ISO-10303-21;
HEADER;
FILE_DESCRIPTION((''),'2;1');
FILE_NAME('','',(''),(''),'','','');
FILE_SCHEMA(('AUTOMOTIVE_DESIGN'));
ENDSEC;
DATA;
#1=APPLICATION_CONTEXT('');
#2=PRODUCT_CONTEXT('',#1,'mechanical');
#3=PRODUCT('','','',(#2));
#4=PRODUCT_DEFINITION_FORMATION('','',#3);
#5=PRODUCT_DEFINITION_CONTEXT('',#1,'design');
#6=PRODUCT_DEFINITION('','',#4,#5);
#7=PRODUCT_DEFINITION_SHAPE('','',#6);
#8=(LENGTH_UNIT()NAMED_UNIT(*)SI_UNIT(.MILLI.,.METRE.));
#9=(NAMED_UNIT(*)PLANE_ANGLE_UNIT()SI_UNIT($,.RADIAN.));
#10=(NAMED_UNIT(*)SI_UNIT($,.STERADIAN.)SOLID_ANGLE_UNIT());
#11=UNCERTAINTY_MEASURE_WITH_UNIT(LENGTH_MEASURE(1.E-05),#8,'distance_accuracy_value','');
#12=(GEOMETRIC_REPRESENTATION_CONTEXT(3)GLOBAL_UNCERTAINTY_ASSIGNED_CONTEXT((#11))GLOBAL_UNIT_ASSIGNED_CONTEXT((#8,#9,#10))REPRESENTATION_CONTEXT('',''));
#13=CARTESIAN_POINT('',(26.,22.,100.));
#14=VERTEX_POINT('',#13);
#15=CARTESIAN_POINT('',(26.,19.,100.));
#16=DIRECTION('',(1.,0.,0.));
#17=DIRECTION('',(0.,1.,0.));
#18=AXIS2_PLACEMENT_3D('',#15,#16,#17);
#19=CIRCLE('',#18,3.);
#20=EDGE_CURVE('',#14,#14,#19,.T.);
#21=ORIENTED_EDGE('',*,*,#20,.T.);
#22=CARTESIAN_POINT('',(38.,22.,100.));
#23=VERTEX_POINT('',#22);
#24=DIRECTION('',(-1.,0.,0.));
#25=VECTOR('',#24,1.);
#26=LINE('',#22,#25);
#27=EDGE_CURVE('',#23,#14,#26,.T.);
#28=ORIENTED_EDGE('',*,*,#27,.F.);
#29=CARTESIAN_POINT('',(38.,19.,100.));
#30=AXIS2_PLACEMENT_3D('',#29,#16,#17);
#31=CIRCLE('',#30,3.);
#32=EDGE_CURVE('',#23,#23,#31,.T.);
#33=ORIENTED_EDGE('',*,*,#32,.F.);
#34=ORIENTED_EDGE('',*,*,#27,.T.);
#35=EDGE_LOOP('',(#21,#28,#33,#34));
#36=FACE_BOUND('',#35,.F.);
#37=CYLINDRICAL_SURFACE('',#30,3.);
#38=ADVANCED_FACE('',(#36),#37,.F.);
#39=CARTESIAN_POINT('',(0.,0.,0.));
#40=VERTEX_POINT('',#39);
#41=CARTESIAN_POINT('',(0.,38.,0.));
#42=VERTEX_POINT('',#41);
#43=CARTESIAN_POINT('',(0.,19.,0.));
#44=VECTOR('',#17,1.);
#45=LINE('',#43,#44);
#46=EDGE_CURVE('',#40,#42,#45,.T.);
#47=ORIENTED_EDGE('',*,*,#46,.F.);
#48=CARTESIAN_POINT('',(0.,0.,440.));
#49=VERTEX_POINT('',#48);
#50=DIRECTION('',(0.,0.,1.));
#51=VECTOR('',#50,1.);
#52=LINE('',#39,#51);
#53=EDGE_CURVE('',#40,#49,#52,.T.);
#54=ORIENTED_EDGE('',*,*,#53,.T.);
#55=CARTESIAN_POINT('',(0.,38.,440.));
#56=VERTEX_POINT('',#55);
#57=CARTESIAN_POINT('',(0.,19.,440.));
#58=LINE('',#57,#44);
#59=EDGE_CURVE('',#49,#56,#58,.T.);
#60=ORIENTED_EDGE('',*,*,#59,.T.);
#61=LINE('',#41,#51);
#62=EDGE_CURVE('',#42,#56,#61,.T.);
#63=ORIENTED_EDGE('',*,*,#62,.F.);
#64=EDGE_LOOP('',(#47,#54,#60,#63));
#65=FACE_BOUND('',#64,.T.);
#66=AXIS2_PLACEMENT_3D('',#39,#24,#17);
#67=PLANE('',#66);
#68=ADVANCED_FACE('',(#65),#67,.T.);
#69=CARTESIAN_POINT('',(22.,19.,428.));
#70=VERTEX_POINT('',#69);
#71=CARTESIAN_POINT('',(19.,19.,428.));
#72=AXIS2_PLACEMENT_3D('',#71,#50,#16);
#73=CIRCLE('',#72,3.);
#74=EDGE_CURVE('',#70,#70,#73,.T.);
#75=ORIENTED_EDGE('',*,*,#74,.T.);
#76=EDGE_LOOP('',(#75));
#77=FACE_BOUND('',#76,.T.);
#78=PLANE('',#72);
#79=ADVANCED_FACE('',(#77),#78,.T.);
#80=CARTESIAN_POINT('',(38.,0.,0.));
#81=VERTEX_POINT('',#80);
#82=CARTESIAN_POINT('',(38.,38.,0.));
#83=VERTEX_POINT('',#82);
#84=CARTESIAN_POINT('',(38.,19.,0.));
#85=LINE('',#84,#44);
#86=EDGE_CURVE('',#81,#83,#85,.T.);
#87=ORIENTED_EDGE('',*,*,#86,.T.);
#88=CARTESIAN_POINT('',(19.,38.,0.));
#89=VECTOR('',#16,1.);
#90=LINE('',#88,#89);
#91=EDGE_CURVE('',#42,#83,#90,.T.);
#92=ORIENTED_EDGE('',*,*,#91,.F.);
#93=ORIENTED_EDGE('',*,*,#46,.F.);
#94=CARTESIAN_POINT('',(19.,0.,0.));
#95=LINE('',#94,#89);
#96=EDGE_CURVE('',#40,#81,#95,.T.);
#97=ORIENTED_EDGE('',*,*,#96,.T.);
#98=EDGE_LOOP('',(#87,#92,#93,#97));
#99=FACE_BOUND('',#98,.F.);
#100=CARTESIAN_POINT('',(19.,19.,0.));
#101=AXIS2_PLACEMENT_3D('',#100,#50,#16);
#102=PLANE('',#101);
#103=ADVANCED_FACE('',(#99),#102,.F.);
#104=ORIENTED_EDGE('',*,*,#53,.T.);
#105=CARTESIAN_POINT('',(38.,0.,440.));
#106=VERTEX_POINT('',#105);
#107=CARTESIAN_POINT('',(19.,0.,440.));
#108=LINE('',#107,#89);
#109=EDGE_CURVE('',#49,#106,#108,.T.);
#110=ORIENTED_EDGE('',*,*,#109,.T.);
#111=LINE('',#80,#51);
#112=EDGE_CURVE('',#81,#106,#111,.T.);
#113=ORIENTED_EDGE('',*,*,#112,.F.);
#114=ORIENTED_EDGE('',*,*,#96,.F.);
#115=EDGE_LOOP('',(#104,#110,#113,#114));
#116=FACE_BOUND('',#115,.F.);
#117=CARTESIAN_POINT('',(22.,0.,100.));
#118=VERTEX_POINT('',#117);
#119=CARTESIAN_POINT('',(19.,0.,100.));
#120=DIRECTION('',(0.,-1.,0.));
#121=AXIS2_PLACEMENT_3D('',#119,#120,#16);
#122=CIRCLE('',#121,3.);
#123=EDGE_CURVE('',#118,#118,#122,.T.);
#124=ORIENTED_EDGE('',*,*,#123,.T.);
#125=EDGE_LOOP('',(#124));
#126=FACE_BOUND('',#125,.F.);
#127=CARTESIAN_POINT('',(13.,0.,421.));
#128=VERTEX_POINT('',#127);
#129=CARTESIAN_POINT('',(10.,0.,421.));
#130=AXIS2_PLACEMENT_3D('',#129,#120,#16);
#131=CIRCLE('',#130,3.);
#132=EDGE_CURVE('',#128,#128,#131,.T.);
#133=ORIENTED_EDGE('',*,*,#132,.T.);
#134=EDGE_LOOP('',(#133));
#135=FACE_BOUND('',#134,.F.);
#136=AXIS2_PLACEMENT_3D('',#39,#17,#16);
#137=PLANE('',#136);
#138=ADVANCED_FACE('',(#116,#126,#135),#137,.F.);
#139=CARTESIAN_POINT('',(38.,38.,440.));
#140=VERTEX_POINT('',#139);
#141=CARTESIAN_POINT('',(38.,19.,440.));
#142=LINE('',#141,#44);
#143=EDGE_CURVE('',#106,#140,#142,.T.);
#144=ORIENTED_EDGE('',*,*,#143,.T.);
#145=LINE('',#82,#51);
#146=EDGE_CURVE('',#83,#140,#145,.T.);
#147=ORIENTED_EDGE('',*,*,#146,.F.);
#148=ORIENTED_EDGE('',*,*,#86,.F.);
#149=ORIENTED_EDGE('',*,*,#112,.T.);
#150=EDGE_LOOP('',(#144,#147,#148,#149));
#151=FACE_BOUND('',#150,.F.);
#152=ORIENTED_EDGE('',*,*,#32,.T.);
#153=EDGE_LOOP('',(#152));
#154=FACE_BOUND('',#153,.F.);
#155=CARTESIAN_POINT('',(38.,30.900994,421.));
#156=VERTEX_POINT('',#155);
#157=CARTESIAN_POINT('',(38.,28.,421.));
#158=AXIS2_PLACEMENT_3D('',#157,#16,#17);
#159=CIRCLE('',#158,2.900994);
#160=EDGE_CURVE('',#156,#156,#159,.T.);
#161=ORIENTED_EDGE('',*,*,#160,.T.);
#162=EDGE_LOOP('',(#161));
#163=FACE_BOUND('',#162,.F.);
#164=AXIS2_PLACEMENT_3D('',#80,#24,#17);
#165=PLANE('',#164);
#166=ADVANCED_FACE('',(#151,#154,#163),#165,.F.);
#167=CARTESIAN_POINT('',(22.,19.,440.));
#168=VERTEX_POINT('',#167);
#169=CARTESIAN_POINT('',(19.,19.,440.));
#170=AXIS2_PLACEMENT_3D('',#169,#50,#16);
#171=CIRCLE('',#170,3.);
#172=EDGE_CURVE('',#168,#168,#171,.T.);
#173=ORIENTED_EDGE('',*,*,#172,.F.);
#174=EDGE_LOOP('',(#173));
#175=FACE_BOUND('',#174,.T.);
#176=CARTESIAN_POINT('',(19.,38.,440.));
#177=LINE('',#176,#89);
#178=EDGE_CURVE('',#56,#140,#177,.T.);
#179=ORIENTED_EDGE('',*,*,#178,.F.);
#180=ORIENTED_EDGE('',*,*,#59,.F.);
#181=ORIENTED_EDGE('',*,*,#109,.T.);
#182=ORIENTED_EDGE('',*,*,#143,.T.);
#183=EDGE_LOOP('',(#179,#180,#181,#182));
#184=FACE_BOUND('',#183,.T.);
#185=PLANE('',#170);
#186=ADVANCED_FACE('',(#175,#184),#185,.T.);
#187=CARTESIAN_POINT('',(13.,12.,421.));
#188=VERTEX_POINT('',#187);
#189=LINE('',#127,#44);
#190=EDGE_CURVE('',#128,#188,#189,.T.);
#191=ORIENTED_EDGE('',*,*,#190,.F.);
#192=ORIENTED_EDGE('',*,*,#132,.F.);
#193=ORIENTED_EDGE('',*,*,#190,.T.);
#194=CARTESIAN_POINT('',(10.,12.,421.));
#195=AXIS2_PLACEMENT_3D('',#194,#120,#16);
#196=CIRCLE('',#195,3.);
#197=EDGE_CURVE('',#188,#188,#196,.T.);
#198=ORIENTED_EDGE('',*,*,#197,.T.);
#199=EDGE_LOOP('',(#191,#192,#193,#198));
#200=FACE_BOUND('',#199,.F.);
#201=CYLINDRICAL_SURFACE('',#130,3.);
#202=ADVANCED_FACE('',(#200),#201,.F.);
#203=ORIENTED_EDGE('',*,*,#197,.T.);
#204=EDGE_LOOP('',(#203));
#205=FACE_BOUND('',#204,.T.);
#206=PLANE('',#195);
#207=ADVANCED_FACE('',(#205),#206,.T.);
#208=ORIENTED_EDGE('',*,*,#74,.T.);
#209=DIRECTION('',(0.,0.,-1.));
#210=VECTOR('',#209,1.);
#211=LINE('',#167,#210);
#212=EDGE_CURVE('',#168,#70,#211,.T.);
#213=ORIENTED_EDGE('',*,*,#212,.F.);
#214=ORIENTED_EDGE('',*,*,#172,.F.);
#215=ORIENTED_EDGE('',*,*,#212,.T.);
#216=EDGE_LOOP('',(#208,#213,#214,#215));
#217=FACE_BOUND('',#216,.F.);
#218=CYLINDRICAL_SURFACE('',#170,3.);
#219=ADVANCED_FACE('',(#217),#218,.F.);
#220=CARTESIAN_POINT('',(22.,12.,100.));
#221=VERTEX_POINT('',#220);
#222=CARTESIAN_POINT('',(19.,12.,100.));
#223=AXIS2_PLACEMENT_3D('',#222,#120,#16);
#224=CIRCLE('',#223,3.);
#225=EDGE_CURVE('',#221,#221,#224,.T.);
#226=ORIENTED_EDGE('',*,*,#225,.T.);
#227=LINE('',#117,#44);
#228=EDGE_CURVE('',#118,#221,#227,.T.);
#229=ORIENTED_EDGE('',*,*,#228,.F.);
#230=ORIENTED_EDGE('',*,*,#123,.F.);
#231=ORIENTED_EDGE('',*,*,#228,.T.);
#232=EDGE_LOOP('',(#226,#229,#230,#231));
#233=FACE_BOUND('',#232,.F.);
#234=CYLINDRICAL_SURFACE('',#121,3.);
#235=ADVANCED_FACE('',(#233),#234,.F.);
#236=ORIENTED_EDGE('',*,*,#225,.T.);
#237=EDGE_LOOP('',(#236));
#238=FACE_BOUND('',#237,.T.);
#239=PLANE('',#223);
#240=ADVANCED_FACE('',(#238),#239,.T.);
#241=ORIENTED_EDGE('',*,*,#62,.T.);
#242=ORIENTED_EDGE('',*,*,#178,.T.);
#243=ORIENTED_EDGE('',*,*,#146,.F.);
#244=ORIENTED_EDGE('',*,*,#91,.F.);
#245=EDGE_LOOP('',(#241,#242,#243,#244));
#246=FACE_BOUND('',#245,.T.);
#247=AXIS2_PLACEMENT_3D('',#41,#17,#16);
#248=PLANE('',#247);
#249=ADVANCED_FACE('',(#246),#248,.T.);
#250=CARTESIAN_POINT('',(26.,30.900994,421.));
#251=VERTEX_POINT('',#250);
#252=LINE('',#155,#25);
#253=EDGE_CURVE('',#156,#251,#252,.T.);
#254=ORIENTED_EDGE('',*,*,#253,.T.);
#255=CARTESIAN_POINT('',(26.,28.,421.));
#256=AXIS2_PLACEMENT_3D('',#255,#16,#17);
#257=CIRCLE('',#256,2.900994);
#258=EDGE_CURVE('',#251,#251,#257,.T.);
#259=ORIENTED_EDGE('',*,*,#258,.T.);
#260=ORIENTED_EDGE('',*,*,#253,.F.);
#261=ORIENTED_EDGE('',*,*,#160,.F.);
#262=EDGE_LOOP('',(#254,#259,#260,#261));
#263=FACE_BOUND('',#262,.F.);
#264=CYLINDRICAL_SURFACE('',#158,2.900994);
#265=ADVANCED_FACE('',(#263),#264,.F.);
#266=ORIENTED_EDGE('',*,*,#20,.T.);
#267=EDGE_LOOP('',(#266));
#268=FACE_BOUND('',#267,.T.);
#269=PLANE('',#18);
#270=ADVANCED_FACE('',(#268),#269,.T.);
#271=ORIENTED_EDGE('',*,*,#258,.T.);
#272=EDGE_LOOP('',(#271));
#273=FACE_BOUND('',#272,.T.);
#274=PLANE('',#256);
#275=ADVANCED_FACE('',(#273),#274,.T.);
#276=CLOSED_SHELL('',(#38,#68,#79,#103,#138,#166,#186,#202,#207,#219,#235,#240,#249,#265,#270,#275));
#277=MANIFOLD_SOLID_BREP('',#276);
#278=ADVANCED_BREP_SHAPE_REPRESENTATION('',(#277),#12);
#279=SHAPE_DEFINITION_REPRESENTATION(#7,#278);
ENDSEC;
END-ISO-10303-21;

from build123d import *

# Parameters (mm, degrees)
F0_W      = 38
F0_H      = 38
F1_DEPTH  = 440
F2_R      = 3
F3_DEPTH  = 12
F4_R      = 2.900994
F5_DEPTH  = 12
F6_R      = 3
F7_DEPTH  = 12
F8_R      = 3
F9_DEPTH  = 12
F10_R     = 3
F11_DEPTH = 12
F12_DEPTH = 12


with BuildPart() as f1:
    # F0 (on Top) → F1 (new body)
    with BuildSketch(Plane.XY):
        with Locations((19, 19)):
            Rectangle(F0_W, F0_H)
    extrude(amount=F1_DEPTH)

    # F2 (on face) → F3 (cut)
    with BuildSketch(Plane.XZ):
        with Locations((10, 421)):
            Circle(F2_R)
    extrude(amount=-F3_DEPTH, mode=Mode.SUBTRACT)

    # F4 (on face) → F5 (cut)
    with BuildSketch(Plane.YZ.offset(38)):
        with Locations((28, 421)):
            Circle(F4_R)
    extrude(amount=-F5_DEPTH, mode=Mode.SUBTRACT)

    # F6 (on face) → F7 (cut)
    with BuildSketch(Plane.XY.offset(440)):
        with Locations((19, 19)):
            Circle(F6_R)
    extrude(amount=-F7_DEPTH, mode=Mode.SUBTRACT)

    # F8 (on face) → F9 (cut)
    with BuildSketch(Plane.XZ):
        with Locations((19, 100)):
            Circle(F8_R)
    extrude(amount=-F9_DEPTH, mode=Mode.SUBTRACT)

    # F10 (on face) → F11 (cut)
    with BuildSketch(Plane.YZ.offset(38)):
        with Locations((19, 100)):
            Circle(F10_R)
    extrude(amount=-F11_DEPTH, mode=Mode.SUBTRACT)

    # F6 (on face) → F12 (cut)
    with BuildSketch(Plane.XY.offset(440)):
        with Locations((19, 19)):
            Circle(F6_R)
    extrude(amount=-F12_DEPTH, mode=Mode.SUBTRACT)


solid = f1.part
